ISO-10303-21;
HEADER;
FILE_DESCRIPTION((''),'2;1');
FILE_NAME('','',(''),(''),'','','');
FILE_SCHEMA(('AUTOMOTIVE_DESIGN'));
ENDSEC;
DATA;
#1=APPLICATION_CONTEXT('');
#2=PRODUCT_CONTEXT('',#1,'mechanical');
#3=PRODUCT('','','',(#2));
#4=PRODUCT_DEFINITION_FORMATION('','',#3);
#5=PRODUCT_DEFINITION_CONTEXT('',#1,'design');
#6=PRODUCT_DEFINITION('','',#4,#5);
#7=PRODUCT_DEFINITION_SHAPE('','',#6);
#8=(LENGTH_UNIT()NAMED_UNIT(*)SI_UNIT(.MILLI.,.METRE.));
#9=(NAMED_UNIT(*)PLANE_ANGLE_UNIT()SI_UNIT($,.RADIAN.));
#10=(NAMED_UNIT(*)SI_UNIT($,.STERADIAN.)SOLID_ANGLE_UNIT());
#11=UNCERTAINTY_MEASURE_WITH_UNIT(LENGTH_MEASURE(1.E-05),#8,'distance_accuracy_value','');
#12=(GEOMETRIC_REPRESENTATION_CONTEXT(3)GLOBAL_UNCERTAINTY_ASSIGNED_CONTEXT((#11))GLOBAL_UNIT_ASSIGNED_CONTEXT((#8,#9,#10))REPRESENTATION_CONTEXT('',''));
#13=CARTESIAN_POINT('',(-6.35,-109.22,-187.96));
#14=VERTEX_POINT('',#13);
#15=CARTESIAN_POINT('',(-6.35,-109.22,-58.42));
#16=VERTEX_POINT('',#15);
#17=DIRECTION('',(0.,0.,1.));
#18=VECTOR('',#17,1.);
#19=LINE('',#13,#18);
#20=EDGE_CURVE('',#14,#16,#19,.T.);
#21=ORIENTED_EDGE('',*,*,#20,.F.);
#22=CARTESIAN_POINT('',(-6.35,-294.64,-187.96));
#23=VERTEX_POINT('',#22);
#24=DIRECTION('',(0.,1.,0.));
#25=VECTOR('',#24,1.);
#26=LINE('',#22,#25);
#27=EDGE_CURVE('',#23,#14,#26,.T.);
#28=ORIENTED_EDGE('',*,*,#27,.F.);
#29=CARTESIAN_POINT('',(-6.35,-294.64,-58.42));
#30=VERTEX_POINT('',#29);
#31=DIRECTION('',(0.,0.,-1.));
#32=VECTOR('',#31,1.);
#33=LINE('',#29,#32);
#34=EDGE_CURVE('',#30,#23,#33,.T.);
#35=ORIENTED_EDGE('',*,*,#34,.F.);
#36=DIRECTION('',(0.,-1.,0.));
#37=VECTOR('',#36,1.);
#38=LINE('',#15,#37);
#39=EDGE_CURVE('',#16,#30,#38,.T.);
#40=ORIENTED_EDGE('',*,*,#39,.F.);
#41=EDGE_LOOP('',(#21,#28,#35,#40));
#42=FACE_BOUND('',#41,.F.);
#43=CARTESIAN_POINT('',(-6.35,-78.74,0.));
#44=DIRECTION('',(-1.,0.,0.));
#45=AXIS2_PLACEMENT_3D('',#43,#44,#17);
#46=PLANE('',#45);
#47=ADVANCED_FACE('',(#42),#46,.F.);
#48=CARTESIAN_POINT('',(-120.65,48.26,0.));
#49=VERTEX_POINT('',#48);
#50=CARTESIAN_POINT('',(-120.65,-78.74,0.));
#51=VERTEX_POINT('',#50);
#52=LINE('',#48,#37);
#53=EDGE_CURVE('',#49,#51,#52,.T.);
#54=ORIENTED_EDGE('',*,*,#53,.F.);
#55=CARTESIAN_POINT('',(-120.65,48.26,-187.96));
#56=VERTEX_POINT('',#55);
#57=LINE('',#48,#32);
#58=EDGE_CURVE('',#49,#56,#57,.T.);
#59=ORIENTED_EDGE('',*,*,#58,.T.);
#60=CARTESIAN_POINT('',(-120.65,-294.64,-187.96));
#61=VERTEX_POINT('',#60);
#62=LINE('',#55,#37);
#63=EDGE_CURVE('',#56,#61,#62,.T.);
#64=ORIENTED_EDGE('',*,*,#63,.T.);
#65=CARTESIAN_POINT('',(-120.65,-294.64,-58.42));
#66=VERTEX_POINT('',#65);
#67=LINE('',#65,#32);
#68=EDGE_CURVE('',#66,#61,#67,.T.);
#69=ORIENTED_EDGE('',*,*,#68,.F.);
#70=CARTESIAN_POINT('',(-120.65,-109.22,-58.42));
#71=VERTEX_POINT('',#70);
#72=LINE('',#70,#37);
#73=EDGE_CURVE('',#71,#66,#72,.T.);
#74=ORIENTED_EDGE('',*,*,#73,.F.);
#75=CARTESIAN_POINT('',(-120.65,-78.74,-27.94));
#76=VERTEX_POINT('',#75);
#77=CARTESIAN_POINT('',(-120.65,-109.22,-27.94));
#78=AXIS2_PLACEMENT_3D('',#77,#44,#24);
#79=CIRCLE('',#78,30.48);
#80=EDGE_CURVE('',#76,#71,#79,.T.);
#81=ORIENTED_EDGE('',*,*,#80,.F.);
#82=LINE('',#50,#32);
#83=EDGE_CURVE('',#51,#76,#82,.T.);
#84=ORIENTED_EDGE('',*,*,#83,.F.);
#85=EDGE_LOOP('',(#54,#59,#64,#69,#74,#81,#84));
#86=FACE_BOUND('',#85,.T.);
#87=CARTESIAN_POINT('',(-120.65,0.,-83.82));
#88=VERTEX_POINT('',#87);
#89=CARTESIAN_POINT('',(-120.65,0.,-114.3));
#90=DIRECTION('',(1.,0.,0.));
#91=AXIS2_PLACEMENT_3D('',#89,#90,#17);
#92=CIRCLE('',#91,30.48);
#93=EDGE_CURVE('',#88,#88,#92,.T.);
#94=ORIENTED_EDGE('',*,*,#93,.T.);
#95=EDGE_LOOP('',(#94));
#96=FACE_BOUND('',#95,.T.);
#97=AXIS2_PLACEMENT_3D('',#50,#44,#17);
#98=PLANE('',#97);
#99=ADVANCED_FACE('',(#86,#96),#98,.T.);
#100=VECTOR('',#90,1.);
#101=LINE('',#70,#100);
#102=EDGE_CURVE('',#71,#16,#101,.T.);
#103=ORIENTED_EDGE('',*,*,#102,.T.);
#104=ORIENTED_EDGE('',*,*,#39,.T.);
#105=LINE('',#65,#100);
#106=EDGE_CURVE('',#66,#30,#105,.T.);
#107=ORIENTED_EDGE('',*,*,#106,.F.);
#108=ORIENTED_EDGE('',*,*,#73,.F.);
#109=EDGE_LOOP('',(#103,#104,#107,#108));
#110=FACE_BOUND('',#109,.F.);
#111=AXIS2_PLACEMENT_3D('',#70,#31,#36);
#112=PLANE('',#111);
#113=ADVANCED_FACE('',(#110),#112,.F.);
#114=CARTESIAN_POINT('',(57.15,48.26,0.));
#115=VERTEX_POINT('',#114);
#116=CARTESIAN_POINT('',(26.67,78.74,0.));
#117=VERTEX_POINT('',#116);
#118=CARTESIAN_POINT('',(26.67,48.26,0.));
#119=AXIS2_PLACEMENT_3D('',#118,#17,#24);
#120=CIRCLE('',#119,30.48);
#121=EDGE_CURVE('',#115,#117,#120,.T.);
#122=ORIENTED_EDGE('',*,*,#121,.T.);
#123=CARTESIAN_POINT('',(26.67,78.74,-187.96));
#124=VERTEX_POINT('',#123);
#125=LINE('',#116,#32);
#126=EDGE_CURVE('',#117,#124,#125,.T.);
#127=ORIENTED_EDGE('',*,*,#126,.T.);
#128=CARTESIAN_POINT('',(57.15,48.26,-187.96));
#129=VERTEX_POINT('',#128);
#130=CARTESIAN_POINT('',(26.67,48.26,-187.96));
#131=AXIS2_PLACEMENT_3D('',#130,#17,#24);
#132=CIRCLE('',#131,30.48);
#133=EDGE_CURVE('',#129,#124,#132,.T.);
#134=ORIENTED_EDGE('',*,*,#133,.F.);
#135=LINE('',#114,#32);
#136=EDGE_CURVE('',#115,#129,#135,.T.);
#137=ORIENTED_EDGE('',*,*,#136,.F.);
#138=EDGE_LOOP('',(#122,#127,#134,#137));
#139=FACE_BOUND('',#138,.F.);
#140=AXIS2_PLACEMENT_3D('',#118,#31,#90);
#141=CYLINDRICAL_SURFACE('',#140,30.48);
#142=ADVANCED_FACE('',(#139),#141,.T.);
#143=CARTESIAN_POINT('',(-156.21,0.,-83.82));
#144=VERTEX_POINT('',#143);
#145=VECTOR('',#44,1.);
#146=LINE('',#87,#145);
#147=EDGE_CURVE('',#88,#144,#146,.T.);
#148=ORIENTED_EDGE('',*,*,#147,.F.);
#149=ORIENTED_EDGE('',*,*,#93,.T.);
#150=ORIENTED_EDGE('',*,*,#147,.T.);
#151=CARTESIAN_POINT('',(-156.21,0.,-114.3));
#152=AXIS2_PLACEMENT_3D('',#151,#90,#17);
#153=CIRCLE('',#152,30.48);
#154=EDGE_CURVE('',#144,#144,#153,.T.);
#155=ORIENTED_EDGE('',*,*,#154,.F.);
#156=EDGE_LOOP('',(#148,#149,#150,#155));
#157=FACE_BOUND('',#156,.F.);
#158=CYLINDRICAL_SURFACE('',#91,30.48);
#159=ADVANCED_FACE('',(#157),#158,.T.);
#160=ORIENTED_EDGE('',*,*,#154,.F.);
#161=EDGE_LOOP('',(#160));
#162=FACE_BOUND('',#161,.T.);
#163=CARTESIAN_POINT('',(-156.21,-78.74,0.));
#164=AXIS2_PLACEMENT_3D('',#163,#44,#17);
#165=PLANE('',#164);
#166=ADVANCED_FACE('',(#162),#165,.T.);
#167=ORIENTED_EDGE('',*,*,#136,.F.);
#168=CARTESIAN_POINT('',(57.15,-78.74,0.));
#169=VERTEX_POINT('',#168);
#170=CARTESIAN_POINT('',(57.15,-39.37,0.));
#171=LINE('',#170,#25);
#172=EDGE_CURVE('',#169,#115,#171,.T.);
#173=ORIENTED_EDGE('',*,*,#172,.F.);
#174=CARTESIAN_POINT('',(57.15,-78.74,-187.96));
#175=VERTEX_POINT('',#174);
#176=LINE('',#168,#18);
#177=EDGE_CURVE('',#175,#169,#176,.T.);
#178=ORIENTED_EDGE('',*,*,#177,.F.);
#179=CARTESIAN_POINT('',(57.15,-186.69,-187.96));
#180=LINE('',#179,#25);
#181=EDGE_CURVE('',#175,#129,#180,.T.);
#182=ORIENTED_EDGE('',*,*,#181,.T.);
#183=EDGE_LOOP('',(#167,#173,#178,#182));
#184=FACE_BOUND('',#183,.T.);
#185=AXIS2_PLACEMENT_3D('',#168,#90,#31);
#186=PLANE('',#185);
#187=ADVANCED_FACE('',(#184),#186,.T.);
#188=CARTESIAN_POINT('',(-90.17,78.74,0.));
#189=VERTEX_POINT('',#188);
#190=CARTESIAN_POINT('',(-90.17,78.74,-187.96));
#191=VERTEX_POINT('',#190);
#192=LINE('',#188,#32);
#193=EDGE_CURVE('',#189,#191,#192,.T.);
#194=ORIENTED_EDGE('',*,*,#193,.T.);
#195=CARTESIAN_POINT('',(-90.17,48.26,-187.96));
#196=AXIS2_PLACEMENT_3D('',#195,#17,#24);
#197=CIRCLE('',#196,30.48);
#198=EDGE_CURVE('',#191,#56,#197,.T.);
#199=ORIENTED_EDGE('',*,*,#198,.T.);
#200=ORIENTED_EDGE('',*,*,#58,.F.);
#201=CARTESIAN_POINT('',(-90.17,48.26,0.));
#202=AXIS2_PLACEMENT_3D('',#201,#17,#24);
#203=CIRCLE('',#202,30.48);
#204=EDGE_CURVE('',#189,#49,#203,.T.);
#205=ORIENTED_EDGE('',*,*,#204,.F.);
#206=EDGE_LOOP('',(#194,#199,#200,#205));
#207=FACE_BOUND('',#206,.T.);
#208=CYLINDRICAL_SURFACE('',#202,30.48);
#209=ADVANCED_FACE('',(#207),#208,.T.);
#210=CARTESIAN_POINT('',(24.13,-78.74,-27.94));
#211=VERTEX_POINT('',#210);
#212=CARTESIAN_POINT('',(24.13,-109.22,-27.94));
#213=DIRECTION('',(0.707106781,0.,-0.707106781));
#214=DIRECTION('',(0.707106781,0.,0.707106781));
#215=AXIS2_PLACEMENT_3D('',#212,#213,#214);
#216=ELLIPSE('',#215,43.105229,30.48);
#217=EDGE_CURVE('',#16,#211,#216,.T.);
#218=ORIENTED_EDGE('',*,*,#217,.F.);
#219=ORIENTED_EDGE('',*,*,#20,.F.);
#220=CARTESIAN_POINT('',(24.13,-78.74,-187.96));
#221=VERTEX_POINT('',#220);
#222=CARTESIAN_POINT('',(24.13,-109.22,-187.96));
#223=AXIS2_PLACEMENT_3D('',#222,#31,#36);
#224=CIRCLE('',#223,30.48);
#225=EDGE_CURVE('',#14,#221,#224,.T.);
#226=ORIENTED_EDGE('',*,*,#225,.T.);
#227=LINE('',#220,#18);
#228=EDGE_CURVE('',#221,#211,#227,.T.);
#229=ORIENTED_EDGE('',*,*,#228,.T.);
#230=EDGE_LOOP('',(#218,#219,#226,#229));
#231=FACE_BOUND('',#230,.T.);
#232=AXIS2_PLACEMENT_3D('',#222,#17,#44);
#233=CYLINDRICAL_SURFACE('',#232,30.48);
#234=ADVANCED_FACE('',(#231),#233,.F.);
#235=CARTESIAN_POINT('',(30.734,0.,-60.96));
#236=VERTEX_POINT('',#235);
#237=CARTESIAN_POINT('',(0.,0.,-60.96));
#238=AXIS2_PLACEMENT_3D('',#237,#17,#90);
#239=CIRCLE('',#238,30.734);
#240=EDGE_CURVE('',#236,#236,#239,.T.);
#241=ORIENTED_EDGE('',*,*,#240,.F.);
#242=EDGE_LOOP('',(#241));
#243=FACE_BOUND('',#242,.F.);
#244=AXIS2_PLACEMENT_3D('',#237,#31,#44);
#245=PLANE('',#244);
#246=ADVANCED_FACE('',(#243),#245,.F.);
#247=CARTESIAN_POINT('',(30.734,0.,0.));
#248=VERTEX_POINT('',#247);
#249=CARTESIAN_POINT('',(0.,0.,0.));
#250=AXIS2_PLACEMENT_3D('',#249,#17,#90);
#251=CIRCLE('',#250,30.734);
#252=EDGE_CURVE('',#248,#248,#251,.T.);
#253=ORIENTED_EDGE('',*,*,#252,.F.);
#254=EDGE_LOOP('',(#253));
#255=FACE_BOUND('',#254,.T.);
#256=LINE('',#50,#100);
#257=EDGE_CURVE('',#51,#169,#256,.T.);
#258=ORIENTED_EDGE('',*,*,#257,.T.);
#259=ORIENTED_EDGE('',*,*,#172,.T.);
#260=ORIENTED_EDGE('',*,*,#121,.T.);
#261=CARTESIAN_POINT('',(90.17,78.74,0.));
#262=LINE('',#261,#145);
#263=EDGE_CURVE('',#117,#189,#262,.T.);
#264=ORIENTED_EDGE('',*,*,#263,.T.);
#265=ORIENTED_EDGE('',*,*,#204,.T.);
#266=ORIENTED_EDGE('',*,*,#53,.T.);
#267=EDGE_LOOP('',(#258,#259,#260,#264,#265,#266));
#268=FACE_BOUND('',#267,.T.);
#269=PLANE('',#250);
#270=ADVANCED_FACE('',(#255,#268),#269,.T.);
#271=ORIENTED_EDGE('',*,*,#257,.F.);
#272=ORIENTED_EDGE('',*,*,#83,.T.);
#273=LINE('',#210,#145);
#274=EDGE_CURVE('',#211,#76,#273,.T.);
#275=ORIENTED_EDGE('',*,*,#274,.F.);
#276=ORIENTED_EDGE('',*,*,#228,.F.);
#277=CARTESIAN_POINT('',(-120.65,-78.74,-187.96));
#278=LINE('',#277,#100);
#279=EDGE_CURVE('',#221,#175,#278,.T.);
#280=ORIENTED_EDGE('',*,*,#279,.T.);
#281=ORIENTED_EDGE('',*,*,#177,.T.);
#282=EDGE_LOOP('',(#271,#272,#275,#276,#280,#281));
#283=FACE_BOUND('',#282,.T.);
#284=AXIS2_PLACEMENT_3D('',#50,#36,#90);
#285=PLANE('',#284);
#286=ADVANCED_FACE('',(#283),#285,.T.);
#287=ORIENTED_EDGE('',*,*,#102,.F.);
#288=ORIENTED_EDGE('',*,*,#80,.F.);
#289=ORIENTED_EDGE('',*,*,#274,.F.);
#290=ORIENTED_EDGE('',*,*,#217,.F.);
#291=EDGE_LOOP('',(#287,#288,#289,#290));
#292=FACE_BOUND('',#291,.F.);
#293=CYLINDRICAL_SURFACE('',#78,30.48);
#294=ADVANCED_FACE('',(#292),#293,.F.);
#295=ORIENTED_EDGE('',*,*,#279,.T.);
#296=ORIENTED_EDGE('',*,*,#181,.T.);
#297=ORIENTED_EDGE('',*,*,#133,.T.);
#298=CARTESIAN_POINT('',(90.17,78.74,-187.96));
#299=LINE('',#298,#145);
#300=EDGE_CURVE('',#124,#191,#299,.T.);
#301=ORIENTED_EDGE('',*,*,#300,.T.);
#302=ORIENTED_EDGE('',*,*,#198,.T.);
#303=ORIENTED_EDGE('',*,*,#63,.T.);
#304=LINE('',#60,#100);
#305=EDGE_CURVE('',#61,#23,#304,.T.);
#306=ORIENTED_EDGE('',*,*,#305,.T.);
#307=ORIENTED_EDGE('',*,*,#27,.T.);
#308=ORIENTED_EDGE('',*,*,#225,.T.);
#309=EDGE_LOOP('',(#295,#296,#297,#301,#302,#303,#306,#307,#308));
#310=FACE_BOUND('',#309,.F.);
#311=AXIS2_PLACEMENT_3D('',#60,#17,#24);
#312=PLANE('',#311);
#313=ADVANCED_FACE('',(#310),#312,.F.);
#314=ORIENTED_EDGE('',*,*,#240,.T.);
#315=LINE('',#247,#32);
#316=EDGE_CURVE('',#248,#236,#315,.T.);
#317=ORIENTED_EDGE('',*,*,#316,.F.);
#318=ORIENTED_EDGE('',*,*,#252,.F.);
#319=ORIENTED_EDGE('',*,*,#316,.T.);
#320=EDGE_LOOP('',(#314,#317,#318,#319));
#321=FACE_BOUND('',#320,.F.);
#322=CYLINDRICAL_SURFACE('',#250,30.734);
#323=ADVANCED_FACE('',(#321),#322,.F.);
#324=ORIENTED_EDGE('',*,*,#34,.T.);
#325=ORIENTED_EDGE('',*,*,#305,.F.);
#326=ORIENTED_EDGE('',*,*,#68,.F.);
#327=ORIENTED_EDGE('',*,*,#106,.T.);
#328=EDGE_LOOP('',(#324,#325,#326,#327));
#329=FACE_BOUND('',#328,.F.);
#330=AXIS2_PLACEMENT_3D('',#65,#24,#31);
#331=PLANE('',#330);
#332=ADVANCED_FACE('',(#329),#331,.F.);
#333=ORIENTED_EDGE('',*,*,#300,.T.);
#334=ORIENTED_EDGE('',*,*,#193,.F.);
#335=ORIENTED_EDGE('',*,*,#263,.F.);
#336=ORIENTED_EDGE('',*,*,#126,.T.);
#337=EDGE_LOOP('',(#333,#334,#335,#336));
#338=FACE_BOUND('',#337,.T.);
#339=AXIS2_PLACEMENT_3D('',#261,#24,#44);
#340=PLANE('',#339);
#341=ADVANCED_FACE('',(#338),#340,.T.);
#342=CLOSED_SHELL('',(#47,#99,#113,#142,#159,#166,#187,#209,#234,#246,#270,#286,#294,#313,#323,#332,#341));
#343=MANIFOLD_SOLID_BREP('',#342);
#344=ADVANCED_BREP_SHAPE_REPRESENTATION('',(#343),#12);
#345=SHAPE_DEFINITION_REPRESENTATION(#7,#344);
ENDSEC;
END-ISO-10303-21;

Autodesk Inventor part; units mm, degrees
ref_plane "YZ Plane" through (0, 0, 0) normal (1, 0, 0) x (0, 1, 0)
ref_plane "XZ Plane" through (0, 0, 0) normal (0, 1, 0) x (-1, 0, 0)
ref_plane "XY Plane" through (0, 0, 0) normal (0, 0, 1) x (1, 0, 0)
sketch "Sketch1" plane through (0, 0, 0) normal (0, 0, 1) x (1, 0, 0)
  circle A0 centre (0, 0) radius 30.734
  line L0 (-120.65, -78.74) -> (120.65, -78.74)
  line L1 (120.65, -78.74) -> (120.65, 48.26)
  line L2 (90.17, 78.74) -> (-90.17, 78.74)
  line L3 (-120.65, 48.26) -> (-120.65, -78.74)
  arc A1 (-90.17, 78.74) -> (-120.65, 48.26) centre (-90.17, 48.26) ccw
  arc A2 (120.65, 48.26) -> (90.17, 78.74) centre (90.17, 48.26) ccw
  point P0 (120.65, 78.74)
  point P1 (-120.65, 78.74)
  dimension "d0" = 61.468
  dimension "d1" = 157.48
  dimension "d2" = 241.3
  dimension "d3" = 78.74
  dimension "d4" = 120.65
  dimension "d5" = 30.48
extrude "Extrusion1" add sketch "Sketch1" against normal blind 187.96
sketch "Sketch2" plane through (0, 0, -187.96) normal (0, 0, -1) x (-1, 0, 0)
  circle A0 centre (0, 0) radius 30.734 projected
  circle A1 centre (0, 0) radius 52.0012
extrude "Extrusion2" add sketch "Sketch2" against normal blind 127 contours A0 | A1
sketch "Sketch3" plane through (-120.65, -78.74, 0) normal (-1, 0, 0) x (0, 0, 1)
  line L0 (-187.96, 0) -> (-187.96, 127) projected
  line L1 (-187.96, 127) -> (-58.42, 127)
  line L2 (-58.42, -30.48) -> (-58.42, -215.9)
  line L3 (-58.42, -215.9) -> (-187.96, -215.9)
  line L4 (-187.96, -215.9) -> (-187.96, 127)
  line L5 (0, 0) -> (-187.96, 0) projected
  line L6 (-27.94, 0) -> (0, 0)
  line L7 (-187.96, -215.9) -> (-58.42, -215.9)
  line L8 (-58.42, -215.9) -> (-58.42, -30.48)
  line L9 (-58.42, 0) -> (-187.96, 0)
  line L10 (-187.96, 0) -> (-187.96, -215.9)
  arc A0 (-27.94, 0) -> (-58.42, -30.48) centre (-27.94, -30.48) ccw
  line L11 (0, 0) -> (-187.96, 0)
  line L12 (-187.96, -215.9) -> (-58.42, -215.9)
  arc A1 (-27.94, 0) -> (-58.42, -30.48) centre (-27.94, -30.48) ccw
  line L13 (-58.42, -30.48) -> (-58.42, -215.9)
  line L14 (-187.96, -215.9) -> (-187.96, 0)
  line L15 (-187.96, 0) -> (-27.94, 0)
  arc A2 (-27.94, 0) -> (-58.42, -30.48) centre (-27.94, -30.48) ccw
  point P0 (0, 78.74)
  dimension "d10" = 129.54
  dimension "d11" = 342.9
  dimension "d12" = 30.48
extrude "Extrusion3" add sketch "Sketch3" against normal blind 114.3
fillet "Fillet1" radius 30.48 1 edges at (-6.35, -78.74, -107.95)
sketch "Sketch4" plane through (-120.65, -78.74, 0) normal (-1, 0, 0) x (0, 0, 1)
  line L0 (0, 127) -> (-187.96, 127) projected
  line L1 (-187.96, 127) -> (-187.96, 69.85)
  line L2 (-187.96, 127) -> (-187.96, 0) projected
  line L3 (-144.78, 78.74) -> (-114.3, 78.74)
  circle A0 centre (-114.3, 78.74) radius 30.48
  line L4 (0, 127) -> (0, 0) projected
  point P0 (0, 78.74)
  dimension "d18" = 60.96
  dimension "d21" = 114.3
  dimension "d25" = 0
extrude "Extrusion4" add sketch "Sketch4" along normal blind 35.56
sketch "Sketch5" plane through (120.65, -78.74, 0) normal (1, 0, 0) x (0, 0, -1)
  line L0 (-23.8125, -17.4625) -> (228.6, -17.4625)
  line L1 (228.6, -17.4625) -> (228.6, 187.325)
  line L2 (228.6, 187.325) -> (-23.8125, 187.325)
  line L3 (-23.8125, 187.325) -> (-23.8125, -17.4625)
  point P0 (0, 78.74)
extrude "Extrusion5" cut sketch "Sketch5" against normal blind 63.5
fillet "Fillet2" radius 30.48 1 edges at (57.15, 78.74, -93.98)
equation "\"d3\" = 0.5 * d1"
equation "\"d4\" = 0.5 * d2"
properties part number "Shoulder1 Link"
